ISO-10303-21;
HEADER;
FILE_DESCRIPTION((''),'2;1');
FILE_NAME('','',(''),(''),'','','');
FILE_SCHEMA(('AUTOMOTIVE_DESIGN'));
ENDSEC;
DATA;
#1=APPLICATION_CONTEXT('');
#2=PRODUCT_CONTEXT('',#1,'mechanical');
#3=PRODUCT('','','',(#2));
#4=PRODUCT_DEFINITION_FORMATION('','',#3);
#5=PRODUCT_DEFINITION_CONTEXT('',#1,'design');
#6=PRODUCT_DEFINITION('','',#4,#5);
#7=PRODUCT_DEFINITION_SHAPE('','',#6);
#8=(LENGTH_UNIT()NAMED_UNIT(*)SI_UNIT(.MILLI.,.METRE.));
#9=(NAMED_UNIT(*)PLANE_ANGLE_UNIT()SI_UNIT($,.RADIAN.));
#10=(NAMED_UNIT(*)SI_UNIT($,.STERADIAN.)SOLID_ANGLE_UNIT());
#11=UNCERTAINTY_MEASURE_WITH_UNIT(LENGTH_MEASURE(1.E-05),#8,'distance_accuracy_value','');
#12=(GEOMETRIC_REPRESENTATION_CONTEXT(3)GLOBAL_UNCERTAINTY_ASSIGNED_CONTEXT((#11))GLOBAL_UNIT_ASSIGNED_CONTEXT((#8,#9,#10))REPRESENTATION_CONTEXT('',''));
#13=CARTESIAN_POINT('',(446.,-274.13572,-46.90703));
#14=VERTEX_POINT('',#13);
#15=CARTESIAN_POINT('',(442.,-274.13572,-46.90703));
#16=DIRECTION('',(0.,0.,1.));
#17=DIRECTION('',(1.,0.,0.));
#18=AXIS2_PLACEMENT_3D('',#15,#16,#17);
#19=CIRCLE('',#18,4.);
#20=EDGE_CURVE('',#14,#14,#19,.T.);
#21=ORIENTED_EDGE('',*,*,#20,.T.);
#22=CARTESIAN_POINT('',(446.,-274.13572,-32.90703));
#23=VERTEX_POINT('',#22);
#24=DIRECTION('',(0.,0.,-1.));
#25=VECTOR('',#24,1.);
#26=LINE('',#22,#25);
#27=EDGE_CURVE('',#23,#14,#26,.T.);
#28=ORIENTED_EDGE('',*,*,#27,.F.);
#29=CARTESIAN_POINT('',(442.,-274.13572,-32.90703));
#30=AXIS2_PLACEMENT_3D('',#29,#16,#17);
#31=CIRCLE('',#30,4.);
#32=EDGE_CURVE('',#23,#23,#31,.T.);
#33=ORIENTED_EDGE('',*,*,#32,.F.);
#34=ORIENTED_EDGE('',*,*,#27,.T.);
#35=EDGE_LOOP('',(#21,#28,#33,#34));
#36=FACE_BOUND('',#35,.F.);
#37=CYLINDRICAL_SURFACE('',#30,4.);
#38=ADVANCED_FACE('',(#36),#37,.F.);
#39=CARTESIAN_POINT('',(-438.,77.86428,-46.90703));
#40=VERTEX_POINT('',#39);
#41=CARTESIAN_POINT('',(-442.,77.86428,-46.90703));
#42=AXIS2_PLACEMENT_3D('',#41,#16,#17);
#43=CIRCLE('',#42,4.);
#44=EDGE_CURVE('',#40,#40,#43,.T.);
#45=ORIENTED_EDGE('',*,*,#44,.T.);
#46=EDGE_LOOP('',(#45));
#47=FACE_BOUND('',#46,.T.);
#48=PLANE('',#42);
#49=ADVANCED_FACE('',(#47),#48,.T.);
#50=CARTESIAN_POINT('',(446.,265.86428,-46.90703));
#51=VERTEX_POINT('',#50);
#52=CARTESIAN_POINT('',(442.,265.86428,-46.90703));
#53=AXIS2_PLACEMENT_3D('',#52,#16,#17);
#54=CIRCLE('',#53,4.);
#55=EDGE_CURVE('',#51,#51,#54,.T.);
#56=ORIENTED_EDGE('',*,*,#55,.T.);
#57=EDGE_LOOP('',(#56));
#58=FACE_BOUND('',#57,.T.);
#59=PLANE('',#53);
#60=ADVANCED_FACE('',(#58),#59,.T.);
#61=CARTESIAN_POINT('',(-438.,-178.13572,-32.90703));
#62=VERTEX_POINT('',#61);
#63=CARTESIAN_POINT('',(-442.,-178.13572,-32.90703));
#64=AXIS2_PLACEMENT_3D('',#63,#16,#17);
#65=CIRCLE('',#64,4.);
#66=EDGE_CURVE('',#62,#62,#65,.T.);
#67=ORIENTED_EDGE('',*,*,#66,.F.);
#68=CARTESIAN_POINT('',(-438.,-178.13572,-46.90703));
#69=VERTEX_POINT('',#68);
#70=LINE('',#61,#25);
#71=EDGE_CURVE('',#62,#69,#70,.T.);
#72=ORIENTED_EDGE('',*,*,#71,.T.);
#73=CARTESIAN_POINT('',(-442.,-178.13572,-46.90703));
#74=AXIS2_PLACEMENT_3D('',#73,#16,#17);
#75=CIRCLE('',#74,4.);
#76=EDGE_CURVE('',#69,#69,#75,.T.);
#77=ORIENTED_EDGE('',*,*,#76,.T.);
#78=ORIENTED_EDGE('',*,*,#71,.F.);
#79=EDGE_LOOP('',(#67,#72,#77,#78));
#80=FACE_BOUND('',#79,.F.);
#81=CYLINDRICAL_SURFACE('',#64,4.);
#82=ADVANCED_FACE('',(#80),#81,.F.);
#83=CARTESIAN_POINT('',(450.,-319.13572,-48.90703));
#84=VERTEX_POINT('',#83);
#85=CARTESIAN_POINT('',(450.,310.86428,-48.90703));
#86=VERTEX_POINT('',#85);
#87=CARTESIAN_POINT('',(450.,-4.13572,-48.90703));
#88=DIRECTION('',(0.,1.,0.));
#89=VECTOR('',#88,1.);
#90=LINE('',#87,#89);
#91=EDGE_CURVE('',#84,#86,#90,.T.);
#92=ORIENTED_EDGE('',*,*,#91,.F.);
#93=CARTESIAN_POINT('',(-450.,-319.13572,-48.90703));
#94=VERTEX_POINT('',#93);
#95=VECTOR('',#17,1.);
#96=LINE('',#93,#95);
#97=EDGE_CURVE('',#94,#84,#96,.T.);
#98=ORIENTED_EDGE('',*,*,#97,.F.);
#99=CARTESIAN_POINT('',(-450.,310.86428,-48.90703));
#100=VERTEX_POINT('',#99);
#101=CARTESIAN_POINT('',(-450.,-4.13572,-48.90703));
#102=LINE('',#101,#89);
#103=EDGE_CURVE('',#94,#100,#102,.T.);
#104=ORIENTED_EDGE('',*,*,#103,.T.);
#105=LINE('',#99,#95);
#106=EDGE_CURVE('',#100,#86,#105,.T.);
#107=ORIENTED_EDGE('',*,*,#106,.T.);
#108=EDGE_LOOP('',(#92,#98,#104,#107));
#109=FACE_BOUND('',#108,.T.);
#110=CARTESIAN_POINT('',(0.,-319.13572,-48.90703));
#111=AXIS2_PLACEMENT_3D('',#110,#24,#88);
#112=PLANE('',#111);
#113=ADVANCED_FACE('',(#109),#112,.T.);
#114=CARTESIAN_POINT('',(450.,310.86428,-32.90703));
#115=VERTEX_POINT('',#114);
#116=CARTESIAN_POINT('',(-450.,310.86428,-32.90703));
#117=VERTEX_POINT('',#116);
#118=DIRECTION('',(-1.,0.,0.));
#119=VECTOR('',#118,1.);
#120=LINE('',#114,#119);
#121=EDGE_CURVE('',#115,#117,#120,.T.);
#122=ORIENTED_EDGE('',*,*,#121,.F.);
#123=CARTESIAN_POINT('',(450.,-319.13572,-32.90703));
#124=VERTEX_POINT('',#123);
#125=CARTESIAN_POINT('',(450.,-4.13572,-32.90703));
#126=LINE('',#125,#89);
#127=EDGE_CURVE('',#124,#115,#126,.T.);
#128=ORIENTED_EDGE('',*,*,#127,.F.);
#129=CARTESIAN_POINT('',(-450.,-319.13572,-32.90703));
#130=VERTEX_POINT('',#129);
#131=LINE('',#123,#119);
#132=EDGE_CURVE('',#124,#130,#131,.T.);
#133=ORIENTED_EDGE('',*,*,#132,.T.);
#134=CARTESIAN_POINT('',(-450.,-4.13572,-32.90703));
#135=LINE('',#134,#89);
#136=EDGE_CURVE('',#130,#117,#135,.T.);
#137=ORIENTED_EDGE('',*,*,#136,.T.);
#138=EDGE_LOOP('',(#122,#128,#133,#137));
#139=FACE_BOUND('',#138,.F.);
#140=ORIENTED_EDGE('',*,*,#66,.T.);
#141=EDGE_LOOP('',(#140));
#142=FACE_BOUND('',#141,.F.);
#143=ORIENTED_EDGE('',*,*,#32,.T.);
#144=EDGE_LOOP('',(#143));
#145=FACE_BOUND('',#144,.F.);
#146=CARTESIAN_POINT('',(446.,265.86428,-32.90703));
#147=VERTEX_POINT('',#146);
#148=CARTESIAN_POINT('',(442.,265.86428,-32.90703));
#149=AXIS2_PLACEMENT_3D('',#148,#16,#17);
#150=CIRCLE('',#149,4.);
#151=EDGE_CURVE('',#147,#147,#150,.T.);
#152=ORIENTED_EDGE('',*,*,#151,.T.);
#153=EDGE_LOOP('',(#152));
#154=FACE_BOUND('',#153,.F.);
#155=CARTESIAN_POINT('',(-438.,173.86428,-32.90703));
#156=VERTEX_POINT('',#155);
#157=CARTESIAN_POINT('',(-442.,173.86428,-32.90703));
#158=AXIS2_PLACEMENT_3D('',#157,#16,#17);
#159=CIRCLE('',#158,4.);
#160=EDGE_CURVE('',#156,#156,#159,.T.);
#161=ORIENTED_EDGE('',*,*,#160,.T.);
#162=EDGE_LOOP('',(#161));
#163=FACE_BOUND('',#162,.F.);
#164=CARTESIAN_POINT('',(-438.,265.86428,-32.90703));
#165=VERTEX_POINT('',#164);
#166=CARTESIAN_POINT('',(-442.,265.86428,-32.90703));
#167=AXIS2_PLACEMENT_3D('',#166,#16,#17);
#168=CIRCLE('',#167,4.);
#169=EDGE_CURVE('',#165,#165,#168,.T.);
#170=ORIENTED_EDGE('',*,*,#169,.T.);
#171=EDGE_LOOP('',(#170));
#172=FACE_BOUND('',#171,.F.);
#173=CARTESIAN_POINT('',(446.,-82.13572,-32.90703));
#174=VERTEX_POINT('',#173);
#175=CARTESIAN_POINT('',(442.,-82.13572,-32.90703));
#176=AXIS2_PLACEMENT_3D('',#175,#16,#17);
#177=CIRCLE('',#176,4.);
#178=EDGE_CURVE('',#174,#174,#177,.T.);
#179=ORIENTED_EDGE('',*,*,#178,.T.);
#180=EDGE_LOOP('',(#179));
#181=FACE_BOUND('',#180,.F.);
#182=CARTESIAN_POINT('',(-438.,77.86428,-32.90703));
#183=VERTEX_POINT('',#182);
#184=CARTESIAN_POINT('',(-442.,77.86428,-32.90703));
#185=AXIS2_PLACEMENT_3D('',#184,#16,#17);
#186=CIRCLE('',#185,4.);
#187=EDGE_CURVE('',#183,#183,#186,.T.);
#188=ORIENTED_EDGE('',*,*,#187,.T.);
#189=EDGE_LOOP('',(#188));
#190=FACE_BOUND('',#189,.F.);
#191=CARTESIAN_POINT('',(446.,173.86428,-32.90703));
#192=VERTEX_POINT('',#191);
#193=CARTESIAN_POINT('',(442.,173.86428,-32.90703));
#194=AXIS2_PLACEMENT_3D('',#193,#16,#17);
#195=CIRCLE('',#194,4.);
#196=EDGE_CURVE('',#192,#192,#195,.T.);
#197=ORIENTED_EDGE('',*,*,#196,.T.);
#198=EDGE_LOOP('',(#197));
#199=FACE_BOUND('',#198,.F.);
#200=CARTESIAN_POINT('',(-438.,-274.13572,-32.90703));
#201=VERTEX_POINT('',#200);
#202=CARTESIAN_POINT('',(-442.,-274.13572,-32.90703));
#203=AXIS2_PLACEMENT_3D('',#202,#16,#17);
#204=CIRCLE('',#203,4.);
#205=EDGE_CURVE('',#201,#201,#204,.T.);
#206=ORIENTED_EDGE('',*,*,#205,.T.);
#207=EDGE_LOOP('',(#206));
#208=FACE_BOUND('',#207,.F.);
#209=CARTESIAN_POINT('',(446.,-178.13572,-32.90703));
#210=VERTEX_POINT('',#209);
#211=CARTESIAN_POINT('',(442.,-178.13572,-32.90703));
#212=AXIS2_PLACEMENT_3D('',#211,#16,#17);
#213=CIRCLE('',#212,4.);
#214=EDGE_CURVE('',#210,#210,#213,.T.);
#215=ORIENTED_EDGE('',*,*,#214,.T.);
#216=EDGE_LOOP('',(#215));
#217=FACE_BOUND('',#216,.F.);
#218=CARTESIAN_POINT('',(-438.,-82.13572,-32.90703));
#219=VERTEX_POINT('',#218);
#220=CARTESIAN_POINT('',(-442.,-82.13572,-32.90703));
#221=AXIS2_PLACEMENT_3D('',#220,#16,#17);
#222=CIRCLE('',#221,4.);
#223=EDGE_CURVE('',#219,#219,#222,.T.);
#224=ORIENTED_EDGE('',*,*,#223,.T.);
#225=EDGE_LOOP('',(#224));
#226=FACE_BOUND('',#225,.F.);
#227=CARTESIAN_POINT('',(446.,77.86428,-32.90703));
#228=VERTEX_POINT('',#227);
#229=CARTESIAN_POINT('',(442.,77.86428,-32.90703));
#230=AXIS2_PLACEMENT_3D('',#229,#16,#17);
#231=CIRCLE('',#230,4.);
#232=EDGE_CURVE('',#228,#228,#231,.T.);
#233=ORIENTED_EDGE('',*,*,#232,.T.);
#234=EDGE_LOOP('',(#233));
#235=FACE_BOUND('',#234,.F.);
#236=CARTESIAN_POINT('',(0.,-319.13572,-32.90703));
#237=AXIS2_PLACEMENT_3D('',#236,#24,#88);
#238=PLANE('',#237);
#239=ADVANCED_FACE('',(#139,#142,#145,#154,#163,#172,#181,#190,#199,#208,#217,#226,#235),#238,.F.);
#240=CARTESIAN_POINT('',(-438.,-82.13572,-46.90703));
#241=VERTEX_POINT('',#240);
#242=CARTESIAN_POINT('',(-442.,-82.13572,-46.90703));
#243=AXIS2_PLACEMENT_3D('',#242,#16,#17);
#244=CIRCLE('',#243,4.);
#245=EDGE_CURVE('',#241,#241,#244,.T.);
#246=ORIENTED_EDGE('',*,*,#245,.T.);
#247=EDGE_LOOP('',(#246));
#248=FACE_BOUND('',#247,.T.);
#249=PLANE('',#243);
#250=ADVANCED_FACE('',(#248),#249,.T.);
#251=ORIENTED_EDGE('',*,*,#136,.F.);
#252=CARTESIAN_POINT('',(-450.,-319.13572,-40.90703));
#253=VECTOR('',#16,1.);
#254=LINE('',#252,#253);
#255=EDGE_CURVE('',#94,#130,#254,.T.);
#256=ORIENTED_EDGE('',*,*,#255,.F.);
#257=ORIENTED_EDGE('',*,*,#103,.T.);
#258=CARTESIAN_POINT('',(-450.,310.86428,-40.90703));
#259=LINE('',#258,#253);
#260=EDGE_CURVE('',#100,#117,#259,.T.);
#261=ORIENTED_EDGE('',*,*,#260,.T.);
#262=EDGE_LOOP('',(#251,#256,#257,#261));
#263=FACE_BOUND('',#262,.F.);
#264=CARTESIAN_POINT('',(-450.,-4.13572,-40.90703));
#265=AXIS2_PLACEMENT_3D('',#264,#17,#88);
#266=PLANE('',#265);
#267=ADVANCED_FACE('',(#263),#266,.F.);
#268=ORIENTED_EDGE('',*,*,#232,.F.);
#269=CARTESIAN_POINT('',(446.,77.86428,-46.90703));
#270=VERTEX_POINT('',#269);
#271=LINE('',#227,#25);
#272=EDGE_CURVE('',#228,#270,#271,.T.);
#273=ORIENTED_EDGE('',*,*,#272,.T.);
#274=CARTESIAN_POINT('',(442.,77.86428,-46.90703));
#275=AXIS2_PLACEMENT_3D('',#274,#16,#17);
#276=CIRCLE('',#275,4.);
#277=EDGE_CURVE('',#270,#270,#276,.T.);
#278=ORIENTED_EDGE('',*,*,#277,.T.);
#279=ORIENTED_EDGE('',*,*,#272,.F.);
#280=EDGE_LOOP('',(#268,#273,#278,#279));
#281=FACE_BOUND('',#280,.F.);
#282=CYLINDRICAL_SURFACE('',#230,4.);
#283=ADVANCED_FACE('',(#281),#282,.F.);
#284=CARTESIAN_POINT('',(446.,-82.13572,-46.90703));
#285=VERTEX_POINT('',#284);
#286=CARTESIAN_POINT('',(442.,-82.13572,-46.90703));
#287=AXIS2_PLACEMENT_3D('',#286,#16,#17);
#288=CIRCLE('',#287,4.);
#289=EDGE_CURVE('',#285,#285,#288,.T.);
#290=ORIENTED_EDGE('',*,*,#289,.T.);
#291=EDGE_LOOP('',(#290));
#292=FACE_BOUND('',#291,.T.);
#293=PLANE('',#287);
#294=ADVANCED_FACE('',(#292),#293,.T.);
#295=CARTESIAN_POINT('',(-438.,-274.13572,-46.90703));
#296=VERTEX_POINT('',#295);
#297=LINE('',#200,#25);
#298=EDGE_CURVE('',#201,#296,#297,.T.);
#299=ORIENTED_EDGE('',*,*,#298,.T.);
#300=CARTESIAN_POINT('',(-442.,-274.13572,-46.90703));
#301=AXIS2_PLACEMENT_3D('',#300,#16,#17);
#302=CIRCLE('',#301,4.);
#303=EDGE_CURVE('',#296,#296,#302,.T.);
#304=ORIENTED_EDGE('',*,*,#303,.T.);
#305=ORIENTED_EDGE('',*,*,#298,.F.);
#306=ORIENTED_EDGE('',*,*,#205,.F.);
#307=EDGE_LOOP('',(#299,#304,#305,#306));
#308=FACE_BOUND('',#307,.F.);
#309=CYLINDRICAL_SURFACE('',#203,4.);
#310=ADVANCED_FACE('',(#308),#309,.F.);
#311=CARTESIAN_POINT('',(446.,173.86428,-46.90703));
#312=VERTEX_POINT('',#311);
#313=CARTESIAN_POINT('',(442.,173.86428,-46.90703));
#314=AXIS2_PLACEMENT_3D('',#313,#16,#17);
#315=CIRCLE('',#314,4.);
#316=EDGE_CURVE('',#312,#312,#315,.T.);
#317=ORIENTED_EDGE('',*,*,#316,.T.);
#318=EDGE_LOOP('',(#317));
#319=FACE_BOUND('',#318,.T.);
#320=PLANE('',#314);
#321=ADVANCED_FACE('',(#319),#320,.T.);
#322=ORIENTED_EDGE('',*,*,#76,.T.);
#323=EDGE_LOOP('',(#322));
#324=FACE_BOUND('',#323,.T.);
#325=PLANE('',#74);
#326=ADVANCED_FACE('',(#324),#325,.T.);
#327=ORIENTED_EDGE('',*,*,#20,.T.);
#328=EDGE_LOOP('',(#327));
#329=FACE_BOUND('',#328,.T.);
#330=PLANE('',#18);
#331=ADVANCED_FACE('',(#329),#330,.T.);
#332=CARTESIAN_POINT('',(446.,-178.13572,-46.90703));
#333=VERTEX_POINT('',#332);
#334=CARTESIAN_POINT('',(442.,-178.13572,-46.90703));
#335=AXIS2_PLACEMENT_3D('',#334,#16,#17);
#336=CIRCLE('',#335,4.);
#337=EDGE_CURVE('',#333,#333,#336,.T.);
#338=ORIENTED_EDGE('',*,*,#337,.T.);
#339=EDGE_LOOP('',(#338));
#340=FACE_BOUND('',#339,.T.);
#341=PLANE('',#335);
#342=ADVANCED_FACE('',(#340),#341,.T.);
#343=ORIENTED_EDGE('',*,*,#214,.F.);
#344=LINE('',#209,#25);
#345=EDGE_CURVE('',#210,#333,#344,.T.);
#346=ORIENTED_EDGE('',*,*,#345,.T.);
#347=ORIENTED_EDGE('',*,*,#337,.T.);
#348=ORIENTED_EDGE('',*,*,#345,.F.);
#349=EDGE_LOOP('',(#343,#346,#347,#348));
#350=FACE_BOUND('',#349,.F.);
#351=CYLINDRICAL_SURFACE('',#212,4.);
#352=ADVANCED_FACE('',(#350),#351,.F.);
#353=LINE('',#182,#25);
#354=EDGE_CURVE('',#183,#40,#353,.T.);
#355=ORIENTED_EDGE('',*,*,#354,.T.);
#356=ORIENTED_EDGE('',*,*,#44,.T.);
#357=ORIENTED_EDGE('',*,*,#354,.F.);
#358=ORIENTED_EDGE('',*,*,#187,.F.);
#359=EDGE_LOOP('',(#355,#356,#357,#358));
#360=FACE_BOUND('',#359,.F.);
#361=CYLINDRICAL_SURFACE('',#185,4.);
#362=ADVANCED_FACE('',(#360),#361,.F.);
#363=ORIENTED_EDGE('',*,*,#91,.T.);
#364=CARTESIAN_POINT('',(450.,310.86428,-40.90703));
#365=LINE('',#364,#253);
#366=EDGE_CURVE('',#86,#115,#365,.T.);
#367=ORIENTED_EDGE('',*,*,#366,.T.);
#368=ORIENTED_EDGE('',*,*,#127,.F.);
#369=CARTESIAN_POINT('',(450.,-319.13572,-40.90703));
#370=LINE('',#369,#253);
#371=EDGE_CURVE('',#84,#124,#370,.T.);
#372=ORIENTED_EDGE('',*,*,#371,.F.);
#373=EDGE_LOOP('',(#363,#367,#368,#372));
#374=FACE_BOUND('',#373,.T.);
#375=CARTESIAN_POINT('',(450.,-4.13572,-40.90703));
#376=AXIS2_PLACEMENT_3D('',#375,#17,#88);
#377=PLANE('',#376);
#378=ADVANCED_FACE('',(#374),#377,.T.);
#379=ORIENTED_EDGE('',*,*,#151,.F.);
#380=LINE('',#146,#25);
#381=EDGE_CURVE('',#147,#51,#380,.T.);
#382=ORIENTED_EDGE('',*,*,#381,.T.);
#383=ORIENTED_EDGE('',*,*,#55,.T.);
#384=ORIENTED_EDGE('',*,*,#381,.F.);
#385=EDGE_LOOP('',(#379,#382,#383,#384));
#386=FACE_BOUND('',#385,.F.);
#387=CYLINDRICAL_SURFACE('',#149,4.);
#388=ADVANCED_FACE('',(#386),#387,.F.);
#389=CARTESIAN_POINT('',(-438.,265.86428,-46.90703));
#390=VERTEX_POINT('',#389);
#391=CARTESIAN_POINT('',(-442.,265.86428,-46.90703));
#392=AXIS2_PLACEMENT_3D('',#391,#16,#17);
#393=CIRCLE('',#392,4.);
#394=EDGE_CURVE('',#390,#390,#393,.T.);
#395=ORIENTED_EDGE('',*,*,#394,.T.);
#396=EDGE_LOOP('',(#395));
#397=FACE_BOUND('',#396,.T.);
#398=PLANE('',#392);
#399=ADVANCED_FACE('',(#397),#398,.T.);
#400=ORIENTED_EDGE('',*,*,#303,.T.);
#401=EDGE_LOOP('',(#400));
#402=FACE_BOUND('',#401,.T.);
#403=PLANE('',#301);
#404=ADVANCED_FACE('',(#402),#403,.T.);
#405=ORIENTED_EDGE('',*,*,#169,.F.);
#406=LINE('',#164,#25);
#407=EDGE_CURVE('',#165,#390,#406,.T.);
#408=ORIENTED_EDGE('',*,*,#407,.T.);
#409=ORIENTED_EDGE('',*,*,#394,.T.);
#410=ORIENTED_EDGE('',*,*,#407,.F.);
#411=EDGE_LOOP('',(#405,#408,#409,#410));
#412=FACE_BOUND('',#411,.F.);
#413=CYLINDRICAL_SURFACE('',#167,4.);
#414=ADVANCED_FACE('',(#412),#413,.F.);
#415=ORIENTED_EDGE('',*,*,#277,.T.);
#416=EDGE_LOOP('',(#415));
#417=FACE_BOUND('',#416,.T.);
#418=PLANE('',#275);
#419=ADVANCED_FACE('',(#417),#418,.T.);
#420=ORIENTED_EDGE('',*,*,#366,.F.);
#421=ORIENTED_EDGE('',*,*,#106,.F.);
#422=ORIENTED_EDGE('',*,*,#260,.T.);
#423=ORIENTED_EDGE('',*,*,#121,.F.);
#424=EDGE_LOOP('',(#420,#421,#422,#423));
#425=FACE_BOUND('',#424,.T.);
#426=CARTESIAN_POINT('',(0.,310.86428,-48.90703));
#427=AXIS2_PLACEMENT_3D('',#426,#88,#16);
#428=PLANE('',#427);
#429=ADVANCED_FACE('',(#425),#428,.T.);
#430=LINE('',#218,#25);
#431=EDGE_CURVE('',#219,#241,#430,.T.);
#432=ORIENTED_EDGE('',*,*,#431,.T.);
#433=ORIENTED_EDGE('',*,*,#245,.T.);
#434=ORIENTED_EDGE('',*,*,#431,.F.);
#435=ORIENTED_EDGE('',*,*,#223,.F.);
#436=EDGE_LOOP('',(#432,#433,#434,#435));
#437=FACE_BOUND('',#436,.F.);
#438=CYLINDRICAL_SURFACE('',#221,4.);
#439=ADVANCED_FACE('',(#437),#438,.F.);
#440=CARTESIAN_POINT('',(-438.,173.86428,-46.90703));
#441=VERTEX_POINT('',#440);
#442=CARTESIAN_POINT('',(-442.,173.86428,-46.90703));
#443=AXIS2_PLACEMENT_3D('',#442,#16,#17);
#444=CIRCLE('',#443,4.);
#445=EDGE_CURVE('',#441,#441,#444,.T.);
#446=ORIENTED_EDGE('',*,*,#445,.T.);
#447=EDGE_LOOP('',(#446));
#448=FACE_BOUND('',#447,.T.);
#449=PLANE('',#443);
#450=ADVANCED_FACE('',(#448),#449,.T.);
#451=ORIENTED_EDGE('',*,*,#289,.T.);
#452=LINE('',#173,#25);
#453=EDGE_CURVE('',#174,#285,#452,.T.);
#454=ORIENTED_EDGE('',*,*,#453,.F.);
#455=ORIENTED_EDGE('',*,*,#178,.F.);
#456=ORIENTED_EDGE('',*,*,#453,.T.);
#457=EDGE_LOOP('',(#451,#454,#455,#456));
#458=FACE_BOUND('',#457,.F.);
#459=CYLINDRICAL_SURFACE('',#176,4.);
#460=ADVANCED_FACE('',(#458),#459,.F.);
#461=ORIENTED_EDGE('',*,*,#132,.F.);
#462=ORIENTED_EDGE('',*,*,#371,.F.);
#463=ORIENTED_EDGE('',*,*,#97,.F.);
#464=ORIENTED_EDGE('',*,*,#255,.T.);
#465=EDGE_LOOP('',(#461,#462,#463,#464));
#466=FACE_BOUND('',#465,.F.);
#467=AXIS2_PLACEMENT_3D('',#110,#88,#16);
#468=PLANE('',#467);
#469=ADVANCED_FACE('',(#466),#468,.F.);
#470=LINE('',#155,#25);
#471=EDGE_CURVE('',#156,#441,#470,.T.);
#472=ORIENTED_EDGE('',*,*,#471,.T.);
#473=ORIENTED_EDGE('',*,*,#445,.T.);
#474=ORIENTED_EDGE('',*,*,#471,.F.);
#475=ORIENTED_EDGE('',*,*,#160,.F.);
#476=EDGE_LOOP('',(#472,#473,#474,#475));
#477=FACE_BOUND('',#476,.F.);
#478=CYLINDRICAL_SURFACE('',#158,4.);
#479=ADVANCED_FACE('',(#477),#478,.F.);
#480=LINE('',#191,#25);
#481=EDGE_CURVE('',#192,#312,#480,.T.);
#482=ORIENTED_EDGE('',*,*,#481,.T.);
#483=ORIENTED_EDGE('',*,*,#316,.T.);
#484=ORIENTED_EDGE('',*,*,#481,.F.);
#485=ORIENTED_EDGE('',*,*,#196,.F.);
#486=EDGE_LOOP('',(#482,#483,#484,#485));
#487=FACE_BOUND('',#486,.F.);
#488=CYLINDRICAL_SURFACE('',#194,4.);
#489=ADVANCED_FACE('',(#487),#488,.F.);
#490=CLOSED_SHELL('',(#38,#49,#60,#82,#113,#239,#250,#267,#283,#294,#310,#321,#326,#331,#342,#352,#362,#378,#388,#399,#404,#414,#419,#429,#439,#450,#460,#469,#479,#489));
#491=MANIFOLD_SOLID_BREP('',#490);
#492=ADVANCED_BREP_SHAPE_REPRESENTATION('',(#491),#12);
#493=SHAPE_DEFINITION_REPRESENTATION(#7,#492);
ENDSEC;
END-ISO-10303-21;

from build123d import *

# Parameters (mm, degrees)
F0_W     = 630
F0_H     = 16
F1_DEPTH = 450
F2_R     = 4
F3_DEPTH = 14


with BuildPart() as f1:
    # F0 (on Right) → F1 (new body, symmetric)
    with BuildSketch(Plane.YZ):
        with Locations((-4.13572, -40.90703)):
            Rectangle(F0_W, F0_H)
    extrude(amount=F1_DEPTH, both=True)

    # F2 (on face) → F3 (cut)
    with BuildSketch(Plane.XY.offset(-32.90703)):
        with Locations((-442, -274.13572)):
            Circle(F2_R)
        with Locations((-442, -178.13572)):
            Circle(F2_R)
        with Locations((-442, -82.13572)):
            Circle(F2_R)
        with Locations((-442, 77.86428)):
            Circle(F2_R)
        with Locations((-442, 173.86428)):
            Circle(F2_R)
        with Locations((-442, 265.86428)):
            Circle(F2_R)
        with Locations((442, 265.86428)):
            Circle(F2_R)
        with Locations((442, -274.13572)):
            Circle(F2_R)
        with Locations((442, 173.86428)):
            Circle(F2_R)
        with Locations((442, 77.86428)):
            Circle(F2_R)
        with Locations((442, -178.13572)):
            Circle(F2_R)
        with Locations((442, -82.13572)):
            Circle(F2_R)
    extrude(amount=-F3_DEPTH, mode=Mode.SUBTRACT)


solid = f1.part
